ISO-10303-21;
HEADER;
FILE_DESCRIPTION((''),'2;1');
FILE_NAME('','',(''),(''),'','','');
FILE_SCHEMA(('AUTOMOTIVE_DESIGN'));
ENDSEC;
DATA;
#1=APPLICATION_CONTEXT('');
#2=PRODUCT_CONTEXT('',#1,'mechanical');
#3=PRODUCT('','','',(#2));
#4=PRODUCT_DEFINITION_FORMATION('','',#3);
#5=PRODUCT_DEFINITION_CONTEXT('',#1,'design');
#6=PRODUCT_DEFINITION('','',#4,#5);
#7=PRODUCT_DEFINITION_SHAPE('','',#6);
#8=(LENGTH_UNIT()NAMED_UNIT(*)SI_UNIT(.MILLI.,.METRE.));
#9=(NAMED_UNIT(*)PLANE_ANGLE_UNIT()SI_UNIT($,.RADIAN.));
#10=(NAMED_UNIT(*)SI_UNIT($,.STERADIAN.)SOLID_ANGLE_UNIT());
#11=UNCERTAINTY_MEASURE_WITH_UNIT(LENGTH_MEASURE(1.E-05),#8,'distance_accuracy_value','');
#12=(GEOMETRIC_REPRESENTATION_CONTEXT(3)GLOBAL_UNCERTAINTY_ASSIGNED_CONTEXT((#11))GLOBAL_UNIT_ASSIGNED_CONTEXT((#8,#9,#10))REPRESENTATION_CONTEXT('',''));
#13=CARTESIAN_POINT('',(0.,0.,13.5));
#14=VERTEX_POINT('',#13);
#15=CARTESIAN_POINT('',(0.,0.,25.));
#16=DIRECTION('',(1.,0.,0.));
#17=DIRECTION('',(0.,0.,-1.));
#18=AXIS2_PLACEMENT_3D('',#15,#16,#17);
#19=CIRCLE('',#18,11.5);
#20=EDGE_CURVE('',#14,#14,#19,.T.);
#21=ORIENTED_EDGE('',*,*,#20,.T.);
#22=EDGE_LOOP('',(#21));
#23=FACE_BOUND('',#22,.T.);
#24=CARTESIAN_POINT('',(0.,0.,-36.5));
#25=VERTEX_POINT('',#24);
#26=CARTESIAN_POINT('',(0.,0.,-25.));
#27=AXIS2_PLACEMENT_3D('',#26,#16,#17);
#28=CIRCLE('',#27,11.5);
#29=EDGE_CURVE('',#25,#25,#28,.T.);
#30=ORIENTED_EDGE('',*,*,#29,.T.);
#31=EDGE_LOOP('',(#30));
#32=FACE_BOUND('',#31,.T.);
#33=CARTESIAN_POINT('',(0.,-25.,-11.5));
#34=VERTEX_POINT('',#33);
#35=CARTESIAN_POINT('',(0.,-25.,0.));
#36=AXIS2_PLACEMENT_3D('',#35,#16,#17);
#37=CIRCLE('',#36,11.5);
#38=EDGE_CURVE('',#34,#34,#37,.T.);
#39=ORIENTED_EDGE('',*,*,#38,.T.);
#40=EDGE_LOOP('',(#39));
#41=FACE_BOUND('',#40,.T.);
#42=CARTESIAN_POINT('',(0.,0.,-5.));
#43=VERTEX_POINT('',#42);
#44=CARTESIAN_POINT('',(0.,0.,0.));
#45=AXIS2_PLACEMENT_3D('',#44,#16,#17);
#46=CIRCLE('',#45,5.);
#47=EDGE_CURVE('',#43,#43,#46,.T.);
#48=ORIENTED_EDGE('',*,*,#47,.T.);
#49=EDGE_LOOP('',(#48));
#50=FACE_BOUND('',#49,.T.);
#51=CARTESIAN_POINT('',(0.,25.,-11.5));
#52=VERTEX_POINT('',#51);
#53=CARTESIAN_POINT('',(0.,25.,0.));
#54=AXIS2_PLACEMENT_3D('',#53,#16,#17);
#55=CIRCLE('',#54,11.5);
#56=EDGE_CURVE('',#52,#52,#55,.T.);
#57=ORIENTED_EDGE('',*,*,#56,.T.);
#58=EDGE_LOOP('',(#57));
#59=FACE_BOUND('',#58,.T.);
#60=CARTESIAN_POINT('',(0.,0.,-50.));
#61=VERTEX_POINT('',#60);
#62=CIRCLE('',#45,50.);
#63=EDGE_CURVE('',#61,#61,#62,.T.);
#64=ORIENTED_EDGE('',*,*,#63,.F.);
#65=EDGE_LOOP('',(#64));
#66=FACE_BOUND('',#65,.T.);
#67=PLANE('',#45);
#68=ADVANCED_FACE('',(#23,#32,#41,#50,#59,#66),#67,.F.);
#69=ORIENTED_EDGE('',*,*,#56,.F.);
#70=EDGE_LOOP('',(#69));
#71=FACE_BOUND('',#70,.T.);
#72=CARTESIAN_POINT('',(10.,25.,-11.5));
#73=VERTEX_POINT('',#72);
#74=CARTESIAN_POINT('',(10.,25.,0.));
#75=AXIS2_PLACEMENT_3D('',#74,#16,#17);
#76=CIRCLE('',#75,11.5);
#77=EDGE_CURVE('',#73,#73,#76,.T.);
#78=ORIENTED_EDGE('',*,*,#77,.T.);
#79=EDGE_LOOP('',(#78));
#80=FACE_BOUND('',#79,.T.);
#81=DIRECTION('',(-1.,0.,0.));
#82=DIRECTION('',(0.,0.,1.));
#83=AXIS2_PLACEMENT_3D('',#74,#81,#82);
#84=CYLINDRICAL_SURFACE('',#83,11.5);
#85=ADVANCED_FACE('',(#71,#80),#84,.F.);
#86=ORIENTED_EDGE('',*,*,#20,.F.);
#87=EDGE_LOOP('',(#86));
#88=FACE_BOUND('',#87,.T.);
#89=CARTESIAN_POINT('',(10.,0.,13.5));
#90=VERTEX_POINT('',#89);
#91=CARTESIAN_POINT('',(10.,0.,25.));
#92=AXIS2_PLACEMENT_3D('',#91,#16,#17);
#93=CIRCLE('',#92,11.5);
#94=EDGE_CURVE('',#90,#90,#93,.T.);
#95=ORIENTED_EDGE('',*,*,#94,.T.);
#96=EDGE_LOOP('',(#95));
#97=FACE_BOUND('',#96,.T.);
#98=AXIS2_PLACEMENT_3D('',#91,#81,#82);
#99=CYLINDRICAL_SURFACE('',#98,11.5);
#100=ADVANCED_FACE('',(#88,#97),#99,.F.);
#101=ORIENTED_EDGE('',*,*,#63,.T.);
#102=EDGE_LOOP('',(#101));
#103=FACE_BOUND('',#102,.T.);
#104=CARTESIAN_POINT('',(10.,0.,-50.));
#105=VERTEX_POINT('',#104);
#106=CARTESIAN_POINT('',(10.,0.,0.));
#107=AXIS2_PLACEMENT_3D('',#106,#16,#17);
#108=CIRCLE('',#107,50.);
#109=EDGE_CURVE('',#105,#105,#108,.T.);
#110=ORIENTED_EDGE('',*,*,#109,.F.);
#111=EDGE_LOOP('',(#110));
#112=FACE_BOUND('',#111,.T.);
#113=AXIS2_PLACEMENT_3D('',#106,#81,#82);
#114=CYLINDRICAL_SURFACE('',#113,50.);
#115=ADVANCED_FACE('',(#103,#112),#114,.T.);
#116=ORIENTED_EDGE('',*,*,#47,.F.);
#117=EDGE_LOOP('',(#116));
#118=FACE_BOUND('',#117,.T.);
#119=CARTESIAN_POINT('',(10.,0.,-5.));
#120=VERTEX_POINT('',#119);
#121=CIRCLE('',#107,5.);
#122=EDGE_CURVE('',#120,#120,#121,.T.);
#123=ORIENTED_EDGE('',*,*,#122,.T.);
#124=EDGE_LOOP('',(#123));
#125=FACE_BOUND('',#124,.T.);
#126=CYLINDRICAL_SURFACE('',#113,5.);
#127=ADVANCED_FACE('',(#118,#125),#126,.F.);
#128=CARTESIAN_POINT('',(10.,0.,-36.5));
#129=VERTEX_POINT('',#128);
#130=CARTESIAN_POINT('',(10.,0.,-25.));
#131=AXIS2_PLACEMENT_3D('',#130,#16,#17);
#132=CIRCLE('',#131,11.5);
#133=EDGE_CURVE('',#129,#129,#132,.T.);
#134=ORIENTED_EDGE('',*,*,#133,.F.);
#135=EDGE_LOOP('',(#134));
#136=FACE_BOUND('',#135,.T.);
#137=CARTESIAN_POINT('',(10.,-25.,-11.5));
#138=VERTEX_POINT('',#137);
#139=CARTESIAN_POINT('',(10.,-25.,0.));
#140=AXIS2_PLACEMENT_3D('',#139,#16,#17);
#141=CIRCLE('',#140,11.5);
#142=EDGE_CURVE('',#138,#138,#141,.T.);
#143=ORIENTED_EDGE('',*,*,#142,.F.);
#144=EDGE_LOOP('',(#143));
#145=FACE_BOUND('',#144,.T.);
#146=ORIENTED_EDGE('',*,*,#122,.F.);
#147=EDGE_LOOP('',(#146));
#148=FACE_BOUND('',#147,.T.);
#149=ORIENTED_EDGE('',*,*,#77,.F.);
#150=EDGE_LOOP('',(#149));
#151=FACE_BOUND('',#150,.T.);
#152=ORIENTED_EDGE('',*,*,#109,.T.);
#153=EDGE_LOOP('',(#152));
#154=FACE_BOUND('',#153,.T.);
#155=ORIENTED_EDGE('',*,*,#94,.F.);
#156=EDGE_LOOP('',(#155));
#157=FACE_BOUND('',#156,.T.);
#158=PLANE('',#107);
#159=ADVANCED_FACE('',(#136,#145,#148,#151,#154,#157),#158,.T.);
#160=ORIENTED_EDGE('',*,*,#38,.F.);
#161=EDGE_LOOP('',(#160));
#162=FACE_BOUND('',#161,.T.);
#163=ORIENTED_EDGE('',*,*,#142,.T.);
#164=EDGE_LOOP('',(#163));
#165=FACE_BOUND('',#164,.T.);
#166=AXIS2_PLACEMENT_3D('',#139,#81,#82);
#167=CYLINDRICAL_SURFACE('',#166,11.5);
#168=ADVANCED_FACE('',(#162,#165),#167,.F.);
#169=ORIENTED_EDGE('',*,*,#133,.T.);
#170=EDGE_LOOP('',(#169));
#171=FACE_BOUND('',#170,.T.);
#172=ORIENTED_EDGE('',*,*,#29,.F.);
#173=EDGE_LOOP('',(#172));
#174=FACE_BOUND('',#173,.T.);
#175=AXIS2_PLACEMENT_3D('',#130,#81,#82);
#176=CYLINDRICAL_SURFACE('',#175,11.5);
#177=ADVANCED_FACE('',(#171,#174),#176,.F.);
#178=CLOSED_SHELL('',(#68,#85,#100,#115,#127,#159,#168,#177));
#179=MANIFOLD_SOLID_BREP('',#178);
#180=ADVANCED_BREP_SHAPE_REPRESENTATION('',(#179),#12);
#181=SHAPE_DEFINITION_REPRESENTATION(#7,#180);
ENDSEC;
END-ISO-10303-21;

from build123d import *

# Parameters (mm, degrees)
SKETCH1_R           = 50
SKETCH1_R_2         = 5
SKETCH1_R_3         = 11.5
BOSS_EXTRUDE1_DEPTH = 10


with BuildPart() as part:
    # Sketch1 → Boss-Extrude1 (new body)
    with BuildSketch(Plane(origin=(0, 0, 0), x_dir=(0, 0, -1), z_dir=(1, 0, 0))):
        Circle(SKETCH1_R)
        Circle(SKETCH1_R_2, mode=Mode.SUBTRACT)
        with Locations((-25, 0)):
            Circle(SKETCH1_R_3, mode=Mode.SUBTRACT)
        with Locations((0, 25)):
            Circle(SKETCH1_R_3, mode=Mode.SUBTRACT)
        with Locations((25, 0)):
            Circle(SKETCH1_R_3, mode=Mode.SUBTRACT)
        with Locations((0, -25)):
            Circle(SKETCH1_R_3, mode=Mode.SUBTRACT)
    extrude(amount=BOSS_EXTRUDE1_DEPTH)


solid = part.part
